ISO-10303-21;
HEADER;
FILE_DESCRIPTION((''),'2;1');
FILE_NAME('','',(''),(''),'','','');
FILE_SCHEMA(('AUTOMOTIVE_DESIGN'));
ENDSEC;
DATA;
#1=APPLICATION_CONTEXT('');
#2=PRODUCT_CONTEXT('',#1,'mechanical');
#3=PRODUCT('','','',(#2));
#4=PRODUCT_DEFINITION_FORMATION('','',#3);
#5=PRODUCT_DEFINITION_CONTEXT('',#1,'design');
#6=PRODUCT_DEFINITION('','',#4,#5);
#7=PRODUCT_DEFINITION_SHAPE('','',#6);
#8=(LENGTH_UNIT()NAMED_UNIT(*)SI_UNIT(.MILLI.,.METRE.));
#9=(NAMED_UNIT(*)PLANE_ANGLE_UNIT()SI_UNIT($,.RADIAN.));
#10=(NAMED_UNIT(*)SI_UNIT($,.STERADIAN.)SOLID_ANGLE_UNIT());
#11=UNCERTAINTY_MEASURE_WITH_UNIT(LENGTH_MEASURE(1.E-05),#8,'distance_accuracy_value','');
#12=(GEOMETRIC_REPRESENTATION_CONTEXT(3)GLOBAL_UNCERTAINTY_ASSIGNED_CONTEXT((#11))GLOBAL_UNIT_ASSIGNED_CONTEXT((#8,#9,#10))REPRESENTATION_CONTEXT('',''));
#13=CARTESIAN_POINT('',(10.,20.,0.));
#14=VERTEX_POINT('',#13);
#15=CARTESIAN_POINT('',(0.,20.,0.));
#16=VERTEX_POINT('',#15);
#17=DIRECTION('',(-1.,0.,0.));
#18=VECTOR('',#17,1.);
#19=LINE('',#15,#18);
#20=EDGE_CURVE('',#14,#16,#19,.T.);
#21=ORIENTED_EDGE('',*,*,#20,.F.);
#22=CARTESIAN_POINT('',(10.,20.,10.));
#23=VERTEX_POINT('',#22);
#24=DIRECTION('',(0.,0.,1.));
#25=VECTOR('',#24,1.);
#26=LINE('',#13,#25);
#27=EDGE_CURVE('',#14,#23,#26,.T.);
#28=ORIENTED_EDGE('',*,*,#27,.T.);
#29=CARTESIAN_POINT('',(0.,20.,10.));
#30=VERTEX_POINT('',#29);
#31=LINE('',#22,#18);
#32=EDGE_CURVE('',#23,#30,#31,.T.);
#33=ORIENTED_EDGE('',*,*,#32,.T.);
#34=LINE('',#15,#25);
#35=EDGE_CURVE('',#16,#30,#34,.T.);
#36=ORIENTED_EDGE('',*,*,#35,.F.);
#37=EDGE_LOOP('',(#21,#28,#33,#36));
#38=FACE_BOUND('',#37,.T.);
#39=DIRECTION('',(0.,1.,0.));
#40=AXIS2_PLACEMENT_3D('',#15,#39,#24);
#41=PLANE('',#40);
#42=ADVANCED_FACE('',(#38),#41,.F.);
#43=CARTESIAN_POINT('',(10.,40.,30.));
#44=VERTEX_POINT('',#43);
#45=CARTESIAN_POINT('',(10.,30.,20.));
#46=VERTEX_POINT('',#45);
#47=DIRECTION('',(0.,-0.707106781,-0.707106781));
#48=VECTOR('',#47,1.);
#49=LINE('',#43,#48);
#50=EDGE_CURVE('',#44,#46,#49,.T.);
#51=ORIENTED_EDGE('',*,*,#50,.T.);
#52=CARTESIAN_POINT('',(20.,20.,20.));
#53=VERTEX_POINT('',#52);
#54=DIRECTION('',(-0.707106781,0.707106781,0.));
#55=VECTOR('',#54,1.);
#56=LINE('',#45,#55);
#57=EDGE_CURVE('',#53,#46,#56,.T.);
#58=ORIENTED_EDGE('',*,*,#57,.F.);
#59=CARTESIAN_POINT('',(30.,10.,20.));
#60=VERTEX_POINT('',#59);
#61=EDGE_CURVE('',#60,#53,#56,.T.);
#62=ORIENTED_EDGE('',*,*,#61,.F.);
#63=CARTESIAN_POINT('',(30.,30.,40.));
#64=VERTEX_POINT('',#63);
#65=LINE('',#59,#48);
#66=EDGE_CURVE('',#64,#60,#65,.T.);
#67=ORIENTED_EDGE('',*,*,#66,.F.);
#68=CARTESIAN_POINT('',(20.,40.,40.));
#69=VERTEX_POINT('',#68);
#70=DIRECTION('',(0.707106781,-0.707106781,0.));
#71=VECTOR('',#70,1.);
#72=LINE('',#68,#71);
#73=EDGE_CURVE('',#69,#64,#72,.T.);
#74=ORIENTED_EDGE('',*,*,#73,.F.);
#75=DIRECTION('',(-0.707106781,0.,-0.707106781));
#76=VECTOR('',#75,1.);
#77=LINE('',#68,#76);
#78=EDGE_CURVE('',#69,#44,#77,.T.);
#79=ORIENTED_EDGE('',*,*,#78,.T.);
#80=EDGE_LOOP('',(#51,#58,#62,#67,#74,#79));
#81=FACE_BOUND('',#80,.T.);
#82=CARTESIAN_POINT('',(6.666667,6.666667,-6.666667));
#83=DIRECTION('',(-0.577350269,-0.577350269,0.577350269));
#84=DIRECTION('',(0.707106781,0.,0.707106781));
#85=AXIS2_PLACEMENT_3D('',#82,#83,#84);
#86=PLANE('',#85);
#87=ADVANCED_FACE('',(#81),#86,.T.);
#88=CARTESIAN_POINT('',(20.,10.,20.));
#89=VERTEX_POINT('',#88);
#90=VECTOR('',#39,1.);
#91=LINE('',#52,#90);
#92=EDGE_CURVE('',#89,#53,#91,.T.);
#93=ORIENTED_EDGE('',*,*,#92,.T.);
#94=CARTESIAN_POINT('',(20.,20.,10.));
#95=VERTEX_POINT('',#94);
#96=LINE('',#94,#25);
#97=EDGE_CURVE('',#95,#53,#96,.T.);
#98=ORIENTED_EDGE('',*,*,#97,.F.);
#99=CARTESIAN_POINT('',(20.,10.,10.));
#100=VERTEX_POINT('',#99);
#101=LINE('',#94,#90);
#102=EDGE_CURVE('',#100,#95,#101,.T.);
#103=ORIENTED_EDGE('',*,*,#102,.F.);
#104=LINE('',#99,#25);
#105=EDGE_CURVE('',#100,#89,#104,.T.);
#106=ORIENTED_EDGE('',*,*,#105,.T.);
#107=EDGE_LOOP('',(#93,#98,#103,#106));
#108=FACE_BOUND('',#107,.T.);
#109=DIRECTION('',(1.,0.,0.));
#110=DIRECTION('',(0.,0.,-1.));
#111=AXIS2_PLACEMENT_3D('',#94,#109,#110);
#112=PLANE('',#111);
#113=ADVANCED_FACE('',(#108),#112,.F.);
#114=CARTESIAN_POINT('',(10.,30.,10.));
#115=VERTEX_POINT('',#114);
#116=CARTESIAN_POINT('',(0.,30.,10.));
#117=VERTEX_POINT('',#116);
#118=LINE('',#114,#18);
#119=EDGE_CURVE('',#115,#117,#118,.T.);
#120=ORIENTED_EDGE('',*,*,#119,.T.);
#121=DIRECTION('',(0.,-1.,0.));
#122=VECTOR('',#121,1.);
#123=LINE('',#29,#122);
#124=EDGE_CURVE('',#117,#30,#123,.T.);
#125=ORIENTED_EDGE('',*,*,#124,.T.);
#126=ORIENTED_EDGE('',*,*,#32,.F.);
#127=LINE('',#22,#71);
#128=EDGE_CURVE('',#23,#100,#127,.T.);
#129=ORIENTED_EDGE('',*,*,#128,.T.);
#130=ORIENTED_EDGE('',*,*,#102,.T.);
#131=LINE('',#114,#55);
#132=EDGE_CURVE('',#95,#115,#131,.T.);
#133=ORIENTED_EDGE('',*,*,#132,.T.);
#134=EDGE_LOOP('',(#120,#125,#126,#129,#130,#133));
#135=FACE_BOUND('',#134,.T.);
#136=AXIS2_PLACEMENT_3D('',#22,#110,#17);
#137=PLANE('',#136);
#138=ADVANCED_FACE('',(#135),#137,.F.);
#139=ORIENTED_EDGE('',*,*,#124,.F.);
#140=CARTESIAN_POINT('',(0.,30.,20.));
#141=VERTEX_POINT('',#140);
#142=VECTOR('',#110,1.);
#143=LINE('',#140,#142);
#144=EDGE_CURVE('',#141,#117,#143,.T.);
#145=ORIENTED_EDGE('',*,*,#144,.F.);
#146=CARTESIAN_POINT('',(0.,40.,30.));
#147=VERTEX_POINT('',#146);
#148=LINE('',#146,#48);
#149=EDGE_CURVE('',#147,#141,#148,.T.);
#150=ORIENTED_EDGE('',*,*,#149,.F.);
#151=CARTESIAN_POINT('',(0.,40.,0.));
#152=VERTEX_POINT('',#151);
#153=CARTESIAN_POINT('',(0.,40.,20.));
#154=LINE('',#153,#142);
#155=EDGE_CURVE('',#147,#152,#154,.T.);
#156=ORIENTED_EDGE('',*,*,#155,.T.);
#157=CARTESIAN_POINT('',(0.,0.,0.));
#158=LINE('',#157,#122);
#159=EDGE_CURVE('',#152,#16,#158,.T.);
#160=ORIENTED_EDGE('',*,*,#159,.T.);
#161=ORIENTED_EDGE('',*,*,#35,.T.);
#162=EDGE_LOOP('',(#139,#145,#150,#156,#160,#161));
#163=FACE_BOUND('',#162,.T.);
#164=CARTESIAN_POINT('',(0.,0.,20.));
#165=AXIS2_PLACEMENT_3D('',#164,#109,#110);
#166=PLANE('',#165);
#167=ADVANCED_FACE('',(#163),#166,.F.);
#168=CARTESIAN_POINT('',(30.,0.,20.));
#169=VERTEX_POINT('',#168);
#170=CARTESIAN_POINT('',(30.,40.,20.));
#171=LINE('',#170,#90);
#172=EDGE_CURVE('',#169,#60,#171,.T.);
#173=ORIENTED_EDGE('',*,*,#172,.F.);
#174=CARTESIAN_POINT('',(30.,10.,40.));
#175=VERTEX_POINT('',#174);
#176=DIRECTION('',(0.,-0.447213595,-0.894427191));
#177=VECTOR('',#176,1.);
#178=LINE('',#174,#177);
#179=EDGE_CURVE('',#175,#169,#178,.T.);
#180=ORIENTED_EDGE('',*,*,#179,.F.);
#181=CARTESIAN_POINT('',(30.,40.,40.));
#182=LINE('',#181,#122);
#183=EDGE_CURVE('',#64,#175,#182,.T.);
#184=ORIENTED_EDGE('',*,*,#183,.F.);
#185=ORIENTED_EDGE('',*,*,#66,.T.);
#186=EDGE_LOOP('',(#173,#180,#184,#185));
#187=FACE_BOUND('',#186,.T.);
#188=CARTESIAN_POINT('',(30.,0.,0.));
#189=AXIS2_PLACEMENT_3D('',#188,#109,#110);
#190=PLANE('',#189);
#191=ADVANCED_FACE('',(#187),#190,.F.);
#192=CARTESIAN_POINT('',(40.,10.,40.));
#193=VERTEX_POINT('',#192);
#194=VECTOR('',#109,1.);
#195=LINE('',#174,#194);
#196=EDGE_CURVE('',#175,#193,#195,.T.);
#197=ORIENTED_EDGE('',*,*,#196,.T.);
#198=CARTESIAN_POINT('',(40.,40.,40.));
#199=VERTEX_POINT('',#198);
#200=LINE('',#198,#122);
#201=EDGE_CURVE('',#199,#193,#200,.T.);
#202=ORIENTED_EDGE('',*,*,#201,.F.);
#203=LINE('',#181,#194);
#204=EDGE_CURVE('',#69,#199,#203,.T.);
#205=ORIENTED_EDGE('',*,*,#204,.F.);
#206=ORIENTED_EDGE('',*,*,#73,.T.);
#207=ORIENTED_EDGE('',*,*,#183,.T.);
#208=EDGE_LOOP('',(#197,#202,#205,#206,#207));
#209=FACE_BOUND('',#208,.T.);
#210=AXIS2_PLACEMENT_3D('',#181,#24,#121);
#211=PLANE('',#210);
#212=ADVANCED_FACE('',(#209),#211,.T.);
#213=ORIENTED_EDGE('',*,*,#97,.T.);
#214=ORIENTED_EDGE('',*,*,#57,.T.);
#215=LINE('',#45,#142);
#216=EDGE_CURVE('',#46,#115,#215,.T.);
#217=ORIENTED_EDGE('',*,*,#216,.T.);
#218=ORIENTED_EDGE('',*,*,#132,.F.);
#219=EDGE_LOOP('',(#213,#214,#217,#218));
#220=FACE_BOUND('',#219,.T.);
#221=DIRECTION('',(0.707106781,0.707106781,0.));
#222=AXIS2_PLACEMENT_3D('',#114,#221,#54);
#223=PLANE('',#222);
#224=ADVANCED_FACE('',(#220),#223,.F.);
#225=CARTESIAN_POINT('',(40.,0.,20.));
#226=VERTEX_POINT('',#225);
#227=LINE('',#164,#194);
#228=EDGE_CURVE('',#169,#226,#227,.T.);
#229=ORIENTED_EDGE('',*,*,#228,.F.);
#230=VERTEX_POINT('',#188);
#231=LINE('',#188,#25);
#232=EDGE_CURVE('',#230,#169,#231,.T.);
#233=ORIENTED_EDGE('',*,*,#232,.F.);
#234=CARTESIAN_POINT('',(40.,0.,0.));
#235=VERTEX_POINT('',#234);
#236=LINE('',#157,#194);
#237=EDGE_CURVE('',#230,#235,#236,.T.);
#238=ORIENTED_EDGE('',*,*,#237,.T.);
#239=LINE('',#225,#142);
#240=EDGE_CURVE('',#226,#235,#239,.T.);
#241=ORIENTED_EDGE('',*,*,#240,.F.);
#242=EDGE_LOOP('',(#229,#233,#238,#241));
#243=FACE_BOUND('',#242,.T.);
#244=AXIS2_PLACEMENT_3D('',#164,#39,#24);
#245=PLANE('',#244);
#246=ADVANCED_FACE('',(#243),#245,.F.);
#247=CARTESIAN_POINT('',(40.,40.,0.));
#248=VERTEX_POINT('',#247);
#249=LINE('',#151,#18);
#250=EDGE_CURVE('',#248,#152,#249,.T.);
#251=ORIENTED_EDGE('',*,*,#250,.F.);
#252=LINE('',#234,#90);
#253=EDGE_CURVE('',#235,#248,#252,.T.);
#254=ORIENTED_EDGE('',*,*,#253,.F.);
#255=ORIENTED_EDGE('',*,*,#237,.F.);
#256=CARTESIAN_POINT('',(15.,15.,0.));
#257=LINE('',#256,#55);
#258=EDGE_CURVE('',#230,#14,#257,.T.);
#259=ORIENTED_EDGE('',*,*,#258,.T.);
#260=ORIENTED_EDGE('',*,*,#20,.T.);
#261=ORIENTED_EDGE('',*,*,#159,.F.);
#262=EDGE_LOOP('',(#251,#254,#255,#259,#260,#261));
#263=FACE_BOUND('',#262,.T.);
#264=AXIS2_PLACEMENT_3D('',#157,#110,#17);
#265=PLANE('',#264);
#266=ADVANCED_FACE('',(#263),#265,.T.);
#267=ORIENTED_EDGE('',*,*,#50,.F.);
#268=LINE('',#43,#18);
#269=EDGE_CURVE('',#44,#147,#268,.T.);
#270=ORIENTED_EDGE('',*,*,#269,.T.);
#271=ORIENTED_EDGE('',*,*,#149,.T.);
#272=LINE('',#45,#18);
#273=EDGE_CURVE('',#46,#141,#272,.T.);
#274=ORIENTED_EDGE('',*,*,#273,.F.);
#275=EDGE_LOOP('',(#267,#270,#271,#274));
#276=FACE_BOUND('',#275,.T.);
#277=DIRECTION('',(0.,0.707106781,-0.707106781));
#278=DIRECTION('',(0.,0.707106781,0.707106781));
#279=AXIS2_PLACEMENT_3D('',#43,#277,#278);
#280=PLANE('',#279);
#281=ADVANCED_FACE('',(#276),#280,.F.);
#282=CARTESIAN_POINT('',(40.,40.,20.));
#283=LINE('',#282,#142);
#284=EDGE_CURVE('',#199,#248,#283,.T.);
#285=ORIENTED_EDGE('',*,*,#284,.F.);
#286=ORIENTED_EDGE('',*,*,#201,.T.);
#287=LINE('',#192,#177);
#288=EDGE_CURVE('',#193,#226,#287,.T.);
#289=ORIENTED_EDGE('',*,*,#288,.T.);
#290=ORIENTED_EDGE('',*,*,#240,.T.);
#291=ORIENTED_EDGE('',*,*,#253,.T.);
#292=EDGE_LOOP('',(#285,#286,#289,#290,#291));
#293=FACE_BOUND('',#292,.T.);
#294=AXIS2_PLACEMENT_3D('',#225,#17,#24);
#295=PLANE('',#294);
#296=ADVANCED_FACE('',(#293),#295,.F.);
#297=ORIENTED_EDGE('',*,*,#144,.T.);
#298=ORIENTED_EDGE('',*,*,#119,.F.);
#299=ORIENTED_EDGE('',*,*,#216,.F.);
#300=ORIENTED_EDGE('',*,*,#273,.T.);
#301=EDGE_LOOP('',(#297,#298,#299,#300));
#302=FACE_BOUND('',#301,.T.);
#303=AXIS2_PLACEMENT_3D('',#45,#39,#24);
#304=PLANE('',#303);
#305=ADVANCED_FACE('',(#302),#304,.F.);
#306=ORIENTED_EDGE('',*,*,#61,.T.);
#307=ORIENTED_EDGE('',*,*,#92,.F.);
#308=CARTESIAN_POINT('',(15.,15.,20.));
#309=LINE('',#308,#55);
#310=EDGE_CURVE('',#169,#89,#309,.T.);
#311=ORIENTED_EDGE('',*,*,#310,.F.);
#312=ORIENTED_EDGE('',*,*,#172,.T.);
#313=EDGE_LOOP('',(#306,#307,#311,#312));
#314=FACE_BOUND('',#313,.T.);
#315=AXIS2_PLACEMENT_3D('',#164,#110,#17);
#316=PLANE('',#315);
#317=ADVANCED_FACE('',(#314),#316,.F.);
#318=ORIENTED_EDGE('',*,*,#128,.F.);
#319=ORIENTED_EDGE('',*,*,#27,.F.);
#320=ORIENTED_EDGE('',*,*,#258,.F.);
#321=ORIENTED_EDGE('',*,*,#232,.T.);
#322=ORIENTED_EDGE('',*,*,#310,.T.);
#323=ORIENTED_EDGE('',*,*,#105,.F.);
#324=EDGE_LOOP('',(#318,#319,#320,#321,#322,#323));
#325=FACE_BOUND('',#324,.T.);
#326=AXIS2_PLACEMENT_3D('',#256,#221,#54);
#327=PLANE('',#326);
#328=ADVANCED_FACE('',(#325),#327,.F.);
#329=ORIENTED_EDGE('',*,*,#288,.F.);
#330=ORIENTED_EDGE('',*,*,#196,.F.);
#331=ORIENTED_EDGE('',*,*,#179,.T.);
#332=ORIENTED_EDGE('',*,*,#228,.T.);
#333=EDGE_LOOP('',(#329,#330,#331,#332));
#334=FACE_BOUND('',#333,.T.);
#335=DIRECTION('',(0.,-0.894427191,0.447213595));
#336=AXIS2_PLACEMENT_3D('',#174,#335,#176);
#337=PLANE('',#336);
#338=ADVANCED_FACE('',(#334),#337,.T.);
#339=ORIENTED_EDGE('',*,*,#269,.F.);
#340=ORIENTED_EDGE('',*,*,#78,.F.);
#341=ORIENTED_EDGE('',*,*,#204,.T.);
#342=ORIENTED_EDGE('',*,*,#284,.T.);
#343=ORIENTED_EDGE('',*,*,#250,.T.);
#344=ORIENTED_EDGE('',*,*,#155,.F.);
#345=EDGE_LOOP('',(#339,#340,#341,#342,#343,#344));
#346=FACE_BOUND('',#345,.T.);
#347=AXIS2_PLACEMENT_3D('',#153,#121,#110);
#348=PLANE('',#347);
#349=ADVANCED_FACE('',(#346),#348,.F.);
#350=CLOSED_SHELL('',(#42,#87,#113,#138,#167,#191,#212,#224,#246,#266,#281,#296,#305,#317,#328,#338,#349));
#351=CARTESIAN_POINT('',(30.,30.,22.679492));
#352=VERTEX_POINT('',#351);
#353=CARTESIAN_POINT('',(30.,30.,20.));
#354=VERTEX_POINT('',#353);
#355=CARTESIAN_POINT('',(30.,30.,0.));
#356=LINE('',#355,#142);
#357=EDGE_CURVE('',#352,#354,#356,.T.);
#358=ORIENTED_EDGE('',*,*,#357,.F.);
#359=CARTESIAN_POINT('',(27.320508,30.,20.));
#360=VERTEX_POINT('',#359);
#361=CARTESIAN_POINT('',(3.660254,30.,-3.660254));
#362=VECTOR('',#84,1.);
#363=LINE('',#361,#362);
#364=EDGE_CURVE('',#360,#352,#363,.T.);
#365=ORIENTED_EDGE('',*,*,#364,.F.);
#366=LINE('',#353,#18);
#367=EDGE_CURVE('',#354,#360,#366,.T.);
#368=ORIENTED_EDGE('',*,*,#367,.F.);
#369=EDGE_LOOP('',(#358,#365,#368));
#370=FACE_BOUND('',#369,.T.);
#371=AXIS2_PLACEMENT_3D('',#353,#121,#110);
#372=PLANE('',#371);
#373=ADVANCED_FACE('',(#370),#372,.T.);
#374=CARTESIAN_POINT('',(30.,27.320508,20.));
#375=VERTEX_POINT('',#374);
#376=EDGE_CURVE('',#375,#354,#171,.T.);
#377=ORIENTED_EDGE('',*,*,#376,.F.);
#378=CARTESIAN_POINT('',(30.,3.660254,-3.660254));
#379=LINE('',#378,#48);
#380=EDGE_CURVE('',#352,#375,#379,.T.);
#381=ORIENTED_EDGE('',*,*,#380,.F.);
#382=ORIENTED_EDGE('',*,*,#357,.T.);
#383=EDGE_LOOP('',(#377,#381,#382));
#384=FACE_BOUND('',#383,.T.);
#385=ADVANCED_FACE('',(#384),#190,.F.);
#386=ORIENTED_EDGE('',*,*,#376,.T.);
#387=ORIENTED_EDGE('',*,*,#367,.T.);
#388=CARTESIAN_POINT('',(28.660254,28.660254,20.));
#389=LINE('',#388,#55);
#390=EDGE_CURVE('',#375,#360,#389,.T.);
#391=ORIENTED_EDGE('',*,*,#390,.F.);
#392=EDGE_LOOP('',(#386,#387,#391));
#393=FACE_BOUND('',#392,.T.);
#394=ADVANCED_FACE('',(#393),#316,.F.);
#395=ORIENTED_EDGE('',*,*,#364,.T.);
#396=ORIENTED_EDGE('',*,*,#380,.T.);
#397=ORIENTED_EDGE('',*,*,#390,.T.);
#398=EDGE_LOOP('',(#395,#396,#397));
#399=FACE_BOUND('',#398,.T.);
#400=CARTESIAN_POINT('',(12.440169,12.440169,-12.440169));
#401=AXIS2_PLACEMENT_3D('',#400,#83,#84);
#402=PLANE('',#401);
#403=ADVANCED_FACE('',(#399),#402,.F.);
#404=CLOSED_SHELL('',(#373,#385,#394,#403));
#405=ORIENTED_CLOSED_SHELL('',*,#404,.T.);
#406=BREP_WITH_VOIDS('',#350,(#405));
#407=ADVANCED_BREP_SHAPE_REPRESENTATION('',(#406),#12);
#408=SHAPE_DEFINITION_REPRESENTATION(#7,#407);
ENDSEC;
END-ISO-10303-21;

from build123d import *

# Parameters (mm, degrees)
SKETCH1_W            = 40
SKETCH1_H            = 40
BOSS_EXTRUDE1_DEPTH  = 20
CUT_EXTRUDE1_DEPTH   = 20
SKETCH3_W            = 10
SKETCH3_H            = 10
CUT_EXTRUDE2_DEPTH   = 10
BOSS_EXTRUDE2_DEPTH  = 10
BOSS_EXTRUDE3_DEPTH  = 29
BOSS_EXTRUDE4_DEPTH  = 10
CUT_EXTRUDE3_DEPTH   = 10
BOSS_EXTRUDE5_DEPTH  = 10
SKETCH17_W           = 10
SKETCH17_H           = 10
BOSS_EXTRUDE8_DEPTH  = 30
CUT_EXTRUDE4_DEPTH   = 30
CUT_EXTRUDE5_DEPTH   = 10
CUT_EXTRUDE6_DEPTH   = 10
SKETCH21_W           = 5
SKETCH21_H           = 10
BOSS_EXTRUDE9_DEPTH  = 5
CUT_EXTRUDE7_DEPTH   = 5
CUT_EXTRUDE8_DEPTH   = 5
CUT_EXTRUDE9_DEPTH   = 5
BOSS_EXTRUDE10_DEPTH = 5
BOSS_EXTRUDE11_DEPTH = 5
SKETCH27_W           = 20
SKETCH27_H           = 5
BOSS_EXTRUDE12_DEPTH = 40
CUT_EXTRUDE10_DEPTH  = 19


with BuildPart() as part:
    # Sketch1 → Boss-Extrude1 (new body)
    with BuildSketch(Plane.XY):
        with Locations((20, 20)):
            Rectangle(SKETCH1_W, SKETCH1_H)
    extrude(amount=BOSS_EXTRUDE1_DEPTH)

    # Sketch2 → Cut-Extrude1 (cut)
    with BuildSketch(Plane.XY.offset(20)):
        Polygon((0, 0), (30, 0), (10, 20), (0, 20), align=None)
    extrude(amount=-CUT_EXTRUDE1_DEPTH, mode=Mode.SUBTRACT)

    # Sketch3 → Cut-Extrude2 (cut)
    with BuildSketch(Plane.ZY):
        with Locations((15, 25)):
            Rectangle(SKETCH3_W, SKETCH3_H)
    extrude(amount=-CUT_EXTRUDE2_DEPTH, mode=Mode.SUBTRACT)

    # Sketch5 → Boss-Extrude2 (add)
    with BuildSketch(Plane(origin=(40, 0, 0), x_dir=(0, 0, -1), z_dir=(1, 0, 0))):
        Polygon((-20, 40), (-20, 0), (-40, 10), (-40, 40), align=None)
    extrude(amount=-BOSS_EXTRUDE2_DEPTH)

    # Sketch7 → Boss-Extrude3 (add)
    with BuildSketch(Plane.XY.offset(40)):
        Polygon((30, 30), (30, 40), (20, 40), align=None)
    extrude(amount=-BOSS_EXTRUDE3_DEPTH)

    # Sketch8 → Boss-Extrude4 (add)
    with BuildSketch(Plane.ZY):
        Polygon((20, 40), (20, 30), (30, 40), align=None)
    extrude(amount=-BOSS_EXTRUDE4_DEPTH)

    # Sketch9 → Cut-Extrude3 (cut)
    with BuildSketch(Plane.XY.offset(20)):
        Polygon((10, 30), (20, 20), (20, 10), (10, 20), align=None)
    extrude(amount=-CUT_EXTRUDE3_DEPTH, mode=Mode.SUBTRACT)

    # Sketch15 → Boss-Extrude5 (add)
    with BuildSketch(Plane(origin=(6.666666667, 6.666666667, -6.666666667), x_dir=(-0.40824829046386313, -0.40824829046386274, -0.8164965809277261), z_dir=(0.5773502691896262, 0.5773502691896255, -0.5773502691896256))):
        Polygon((-57.154760665, 0), (-57.154760665, 14.142135624), (-32.659863237, 14.142135624), (-32.659863237, -14.142135624), align=None)
    extrude(amount=BOSS_EXTRUDE5_DEPTH)

    # Sketch17 → Boss-Extrude8 (add)
    with BuildSketch(Plane.ZY):
        with Locations((25, 35)):
            Rectangle(SKETCH17_W, SKETCH17_H)
    extrude(amount=-BOSS_EXTRUDE8_DEPTH)

    # Sketch18 → Cut-Extrude4 (cut)
    with BuildSketch(Plane(origin=(0, 40, 0), x_dir=(1, 0, 0), z_dir=(0, 1, 0))):
        Polygon((20, -40), (31.547005384, -34.226497308), (20, -22.679491924), (20, -30), align=None)
    extrude(amount=CUT_EXTRUDE4_DEPTH, mode=Mode.SUBTRACT)

    # Sketch19 → Cut-Extrude5 (cut)
    with BuildSketch(Plane.ZY):
        Polygon((30, 40), (20, 30), (30, 30), align=None)
    extrude(amount=-CUT_EXTRUDE5_DEPTH, mode=Mode.SUBTRACT)

    # Sketch20 → Cut-Extrude6 (cut)
    with BuildSketch(Plane(origin=(6.666666667, 6.666666667, -6.666666667), x_dir=(0.40824829046386324, 0.4082482904638628, 0.816496580927726), z_dir=(-0.5773502691896261, -0.5773502691896254, 0.5773502691896257))):
        Polygon((44.907311951, 7.071067812), (44.907311951, 14.142135624), (32.659863237, 14.142135624), align=None)
    extrude(amount=CUT_EXTRUDE6_DEPTH, mode=Mode.SUBTRACT)

    # Sketch21 → Boss-Extrude9 (add)
    with BuildSketch(Plane(origin=(0, 40, 0), x_dir=(1, 0, 0), z_dir=(0, 1, 0))):
        with Locations((17.5, -35)):
            Rectangle(SKETCH21_W, SKETCH21_H)
    extrude(amount=-BOSS_EXTRUDE9_DEPTH)

    # Sketch22 → Cut-Extrude7 (cut)
    with BuildSketch(Plane(origin=(0, 40, 0), x_dir=(1, 0, 0), z_dir=(0, 1, 0))):
        Polygon((20, -40), (15, -35), (15, -40), align=None)
    extrude(amount=-CUT_EXTRUDE7_DEPTH, mode=Mode.SUBTRACT)

    # Sketch23 → Cut-Extrude8 (cut)
    with BuildSketch(Plane(origin=(6.666666667, 6.666666667, -6.666666667), x_dir=(0.40824829046386324, 0.4082482904638628, 0.816496580927726), z_dir=(-0.5773502691896261, -0.5773502691896254, 0.5773502691896257))):
        Polygon((44.907311951, 14.142135624), (44.907311951, 21.213203436), (32.659863237, 14.142135624), align=None)
    extrude(amount=CUT_EXTRUDE8_DEPTH, mode=Mode.SUBTRACT)


with BuildPart() as cut_extrude8_piece_1:
    # of the separate pieces the step leaves, piece 1, a body of its own (cut_extrude8_pieces)
    add(part.part.solids().sort_by_distance((30, 0, 0))[0])

    # Sketch25 → Boss-Extrude10 (add)
    with BuildSketch(Plane(origin=(0, 40, 0), x_dir=(1, 0, 0), z_dir=(0, 1, 0))):
        Polygon((15, -35), (10, -30), (15, -30), align=None)
    extrude(amount=-BOSS_EXTRUDE10_DEPTH)

    # Sketch26 → Boss-Extrude11 (add)
    with BuildSketch(Plane(origin=(0, 0, 30), x_dir=(-1, 0, 0), z_dir=(0, 0, -1))):
        Polygon((-15, 35), (-10, 40), (-10, 35), align=None)
    extrude(amount=BOSS_EXTRUDE11_DEPTH)

    # Sketch27 → Boss-Extrude12 (add)
    with BuildSketch(Plane(origin=(0, 0, 0), x_dir=(-1, 0, 0), z_dir=(0, 0, -1))):
        with Locations((-30, 37.5)):
            Rectangle(SKETCH27_W, SKETCH27_H)
    extrude(amount=-BOSS_EXTRUDE12_DEPTH)

    # 3DSketch1 → Cut-Extrude10 (cut, along a direction that is not the sketch's normal)
    with BuildSketch(Plane(origin=(10, 30, 20), x_dir=(0.7071067811865477, 0, 0.7071067811865475), z_dir=(0.5773502691896258, 0.5773502691896254, -0.5773502691896261))):
        Polygon((0, 0), (7.071067812, -12.247448714), (21.213203436, -12.247448714), (28.284271247, 0), (14.142135624, 24.494897428), align=None)
    extrude(amount=-CUT_EXTRUDE10_DEPTH, dir=(0, 0, -1), mode=Mode.SUBTRACT)


with BuildPart() as cut_extrude8_piece_2:
    # of the separate pieces the step leaves, piece 2, a body of its own (cut_extrude8_pieces)
    add(part.part.solids().sort_by_distance((10, 30, 30))[0])

    # Sketch24 → Cut-Extrude9 (cut)
    with BuildSketch(Plane(origin=(3.779915321, 3.779915321, -3.779915321), x_dir=(-0.4082482904638635, -0.40824829046386263, -0.816496580927726), z_dir=(0.5773502691896261, 0.5773502691896255, -0.5773502691896258))):
        Polygon((-41.371778045, 14.142135624), (-41.371778045, 15.089479079), (-39.730931049, 14.142135624), align=None)
    extrude(amount=-CUT_EXTRUDE9_DEPTH, mode=Mode.SUBTRACT)


solid = cut_extrude8_piece_1.part
